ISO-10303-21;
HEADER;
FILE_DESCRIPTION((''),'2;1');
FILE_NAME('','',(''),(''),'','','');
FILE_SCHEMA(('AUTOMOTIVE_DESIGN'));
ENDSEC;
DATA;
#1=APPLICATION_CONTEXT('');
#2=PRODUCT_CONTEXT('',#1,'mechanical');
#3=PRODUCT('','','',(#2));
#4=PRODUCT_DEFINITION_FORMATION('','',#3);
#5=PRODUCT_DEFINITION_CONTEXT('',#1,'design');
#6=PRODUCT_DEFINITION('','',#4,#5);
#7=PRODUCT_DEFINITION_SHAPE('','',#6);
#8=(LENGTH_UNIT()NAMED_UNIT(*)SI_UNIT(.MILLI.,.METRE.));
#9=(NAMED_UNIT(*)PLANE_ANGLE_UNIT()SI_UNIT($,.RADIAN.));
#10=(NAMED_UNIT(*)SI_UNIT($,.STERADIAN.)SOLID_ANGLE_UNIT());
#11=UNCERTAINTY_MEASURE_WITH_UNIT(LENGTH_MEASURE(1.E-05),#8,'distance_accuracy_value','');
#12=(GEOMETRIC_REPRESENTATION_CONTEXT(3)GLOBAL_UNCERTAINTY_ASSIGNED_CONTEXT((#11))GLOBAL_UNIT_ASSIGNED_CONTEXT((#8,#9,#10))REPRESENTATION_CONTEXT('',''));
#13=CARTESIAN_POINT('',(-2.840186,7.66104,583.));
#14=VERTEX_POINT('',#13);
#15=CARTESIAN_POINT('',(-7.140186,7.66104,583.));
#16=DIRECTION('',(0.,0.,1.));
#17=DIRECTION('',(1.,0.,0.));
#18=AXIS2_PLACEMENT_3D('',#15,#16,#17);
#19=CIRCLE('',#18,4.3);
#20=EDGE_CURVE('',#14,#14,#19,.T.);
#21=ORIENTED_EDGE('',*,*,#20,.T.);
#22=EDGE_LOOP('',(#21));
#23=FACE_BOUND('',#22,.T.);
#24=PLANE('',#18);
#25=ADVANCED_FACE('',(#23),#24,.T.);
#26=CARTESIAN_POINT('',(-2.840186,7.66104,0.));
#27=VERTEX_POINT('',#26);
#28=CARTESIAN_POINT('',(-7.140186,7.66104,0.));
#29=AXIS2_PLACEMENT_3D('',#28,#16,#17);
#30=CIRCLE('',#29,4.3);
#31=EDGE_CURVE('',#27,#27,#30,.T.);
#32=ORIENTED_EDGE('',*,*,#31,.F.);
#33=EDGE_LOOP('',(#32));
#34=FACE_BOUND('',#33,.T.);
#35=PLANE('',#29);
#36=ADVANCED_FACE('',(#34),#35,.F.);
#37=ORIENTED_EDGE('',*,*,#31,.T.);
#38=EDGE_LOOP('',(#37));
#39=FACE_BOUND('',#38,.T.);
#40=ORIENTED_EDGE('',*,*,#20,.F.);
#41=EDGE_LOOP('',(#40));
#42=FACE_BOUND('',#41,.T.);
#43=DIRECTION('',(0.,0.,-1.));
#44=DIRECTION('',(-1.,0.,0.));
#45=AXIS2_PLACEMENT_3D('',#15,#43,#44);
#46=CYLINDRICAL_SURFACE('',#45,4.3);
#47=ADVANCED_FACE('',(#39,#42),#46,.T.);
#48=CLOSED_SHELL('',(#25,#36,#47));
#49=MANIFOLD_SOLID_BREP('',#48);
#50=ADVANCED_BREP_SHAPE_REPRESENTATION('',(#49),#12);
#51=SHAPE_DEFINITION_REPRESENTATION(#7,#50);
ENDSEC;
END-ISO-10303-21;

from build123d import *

# Parameters (mm, degrees)
CROQUIS1_R              = 4.3
SALIENTE_EXTRUIR1_DEPTH = 583


with BuildPart() as part:
    # Croquis1 → Saliente-Extruir1 (new body)
    with BuildSketch(Plane.XY):
        with Locations((-7.140185635, 7.661040453)):
            Circle(CROQUIS1_R)
    extrude(amount=SALIENTE_EXTRUIR1_DEPTH)


solid = part.part
